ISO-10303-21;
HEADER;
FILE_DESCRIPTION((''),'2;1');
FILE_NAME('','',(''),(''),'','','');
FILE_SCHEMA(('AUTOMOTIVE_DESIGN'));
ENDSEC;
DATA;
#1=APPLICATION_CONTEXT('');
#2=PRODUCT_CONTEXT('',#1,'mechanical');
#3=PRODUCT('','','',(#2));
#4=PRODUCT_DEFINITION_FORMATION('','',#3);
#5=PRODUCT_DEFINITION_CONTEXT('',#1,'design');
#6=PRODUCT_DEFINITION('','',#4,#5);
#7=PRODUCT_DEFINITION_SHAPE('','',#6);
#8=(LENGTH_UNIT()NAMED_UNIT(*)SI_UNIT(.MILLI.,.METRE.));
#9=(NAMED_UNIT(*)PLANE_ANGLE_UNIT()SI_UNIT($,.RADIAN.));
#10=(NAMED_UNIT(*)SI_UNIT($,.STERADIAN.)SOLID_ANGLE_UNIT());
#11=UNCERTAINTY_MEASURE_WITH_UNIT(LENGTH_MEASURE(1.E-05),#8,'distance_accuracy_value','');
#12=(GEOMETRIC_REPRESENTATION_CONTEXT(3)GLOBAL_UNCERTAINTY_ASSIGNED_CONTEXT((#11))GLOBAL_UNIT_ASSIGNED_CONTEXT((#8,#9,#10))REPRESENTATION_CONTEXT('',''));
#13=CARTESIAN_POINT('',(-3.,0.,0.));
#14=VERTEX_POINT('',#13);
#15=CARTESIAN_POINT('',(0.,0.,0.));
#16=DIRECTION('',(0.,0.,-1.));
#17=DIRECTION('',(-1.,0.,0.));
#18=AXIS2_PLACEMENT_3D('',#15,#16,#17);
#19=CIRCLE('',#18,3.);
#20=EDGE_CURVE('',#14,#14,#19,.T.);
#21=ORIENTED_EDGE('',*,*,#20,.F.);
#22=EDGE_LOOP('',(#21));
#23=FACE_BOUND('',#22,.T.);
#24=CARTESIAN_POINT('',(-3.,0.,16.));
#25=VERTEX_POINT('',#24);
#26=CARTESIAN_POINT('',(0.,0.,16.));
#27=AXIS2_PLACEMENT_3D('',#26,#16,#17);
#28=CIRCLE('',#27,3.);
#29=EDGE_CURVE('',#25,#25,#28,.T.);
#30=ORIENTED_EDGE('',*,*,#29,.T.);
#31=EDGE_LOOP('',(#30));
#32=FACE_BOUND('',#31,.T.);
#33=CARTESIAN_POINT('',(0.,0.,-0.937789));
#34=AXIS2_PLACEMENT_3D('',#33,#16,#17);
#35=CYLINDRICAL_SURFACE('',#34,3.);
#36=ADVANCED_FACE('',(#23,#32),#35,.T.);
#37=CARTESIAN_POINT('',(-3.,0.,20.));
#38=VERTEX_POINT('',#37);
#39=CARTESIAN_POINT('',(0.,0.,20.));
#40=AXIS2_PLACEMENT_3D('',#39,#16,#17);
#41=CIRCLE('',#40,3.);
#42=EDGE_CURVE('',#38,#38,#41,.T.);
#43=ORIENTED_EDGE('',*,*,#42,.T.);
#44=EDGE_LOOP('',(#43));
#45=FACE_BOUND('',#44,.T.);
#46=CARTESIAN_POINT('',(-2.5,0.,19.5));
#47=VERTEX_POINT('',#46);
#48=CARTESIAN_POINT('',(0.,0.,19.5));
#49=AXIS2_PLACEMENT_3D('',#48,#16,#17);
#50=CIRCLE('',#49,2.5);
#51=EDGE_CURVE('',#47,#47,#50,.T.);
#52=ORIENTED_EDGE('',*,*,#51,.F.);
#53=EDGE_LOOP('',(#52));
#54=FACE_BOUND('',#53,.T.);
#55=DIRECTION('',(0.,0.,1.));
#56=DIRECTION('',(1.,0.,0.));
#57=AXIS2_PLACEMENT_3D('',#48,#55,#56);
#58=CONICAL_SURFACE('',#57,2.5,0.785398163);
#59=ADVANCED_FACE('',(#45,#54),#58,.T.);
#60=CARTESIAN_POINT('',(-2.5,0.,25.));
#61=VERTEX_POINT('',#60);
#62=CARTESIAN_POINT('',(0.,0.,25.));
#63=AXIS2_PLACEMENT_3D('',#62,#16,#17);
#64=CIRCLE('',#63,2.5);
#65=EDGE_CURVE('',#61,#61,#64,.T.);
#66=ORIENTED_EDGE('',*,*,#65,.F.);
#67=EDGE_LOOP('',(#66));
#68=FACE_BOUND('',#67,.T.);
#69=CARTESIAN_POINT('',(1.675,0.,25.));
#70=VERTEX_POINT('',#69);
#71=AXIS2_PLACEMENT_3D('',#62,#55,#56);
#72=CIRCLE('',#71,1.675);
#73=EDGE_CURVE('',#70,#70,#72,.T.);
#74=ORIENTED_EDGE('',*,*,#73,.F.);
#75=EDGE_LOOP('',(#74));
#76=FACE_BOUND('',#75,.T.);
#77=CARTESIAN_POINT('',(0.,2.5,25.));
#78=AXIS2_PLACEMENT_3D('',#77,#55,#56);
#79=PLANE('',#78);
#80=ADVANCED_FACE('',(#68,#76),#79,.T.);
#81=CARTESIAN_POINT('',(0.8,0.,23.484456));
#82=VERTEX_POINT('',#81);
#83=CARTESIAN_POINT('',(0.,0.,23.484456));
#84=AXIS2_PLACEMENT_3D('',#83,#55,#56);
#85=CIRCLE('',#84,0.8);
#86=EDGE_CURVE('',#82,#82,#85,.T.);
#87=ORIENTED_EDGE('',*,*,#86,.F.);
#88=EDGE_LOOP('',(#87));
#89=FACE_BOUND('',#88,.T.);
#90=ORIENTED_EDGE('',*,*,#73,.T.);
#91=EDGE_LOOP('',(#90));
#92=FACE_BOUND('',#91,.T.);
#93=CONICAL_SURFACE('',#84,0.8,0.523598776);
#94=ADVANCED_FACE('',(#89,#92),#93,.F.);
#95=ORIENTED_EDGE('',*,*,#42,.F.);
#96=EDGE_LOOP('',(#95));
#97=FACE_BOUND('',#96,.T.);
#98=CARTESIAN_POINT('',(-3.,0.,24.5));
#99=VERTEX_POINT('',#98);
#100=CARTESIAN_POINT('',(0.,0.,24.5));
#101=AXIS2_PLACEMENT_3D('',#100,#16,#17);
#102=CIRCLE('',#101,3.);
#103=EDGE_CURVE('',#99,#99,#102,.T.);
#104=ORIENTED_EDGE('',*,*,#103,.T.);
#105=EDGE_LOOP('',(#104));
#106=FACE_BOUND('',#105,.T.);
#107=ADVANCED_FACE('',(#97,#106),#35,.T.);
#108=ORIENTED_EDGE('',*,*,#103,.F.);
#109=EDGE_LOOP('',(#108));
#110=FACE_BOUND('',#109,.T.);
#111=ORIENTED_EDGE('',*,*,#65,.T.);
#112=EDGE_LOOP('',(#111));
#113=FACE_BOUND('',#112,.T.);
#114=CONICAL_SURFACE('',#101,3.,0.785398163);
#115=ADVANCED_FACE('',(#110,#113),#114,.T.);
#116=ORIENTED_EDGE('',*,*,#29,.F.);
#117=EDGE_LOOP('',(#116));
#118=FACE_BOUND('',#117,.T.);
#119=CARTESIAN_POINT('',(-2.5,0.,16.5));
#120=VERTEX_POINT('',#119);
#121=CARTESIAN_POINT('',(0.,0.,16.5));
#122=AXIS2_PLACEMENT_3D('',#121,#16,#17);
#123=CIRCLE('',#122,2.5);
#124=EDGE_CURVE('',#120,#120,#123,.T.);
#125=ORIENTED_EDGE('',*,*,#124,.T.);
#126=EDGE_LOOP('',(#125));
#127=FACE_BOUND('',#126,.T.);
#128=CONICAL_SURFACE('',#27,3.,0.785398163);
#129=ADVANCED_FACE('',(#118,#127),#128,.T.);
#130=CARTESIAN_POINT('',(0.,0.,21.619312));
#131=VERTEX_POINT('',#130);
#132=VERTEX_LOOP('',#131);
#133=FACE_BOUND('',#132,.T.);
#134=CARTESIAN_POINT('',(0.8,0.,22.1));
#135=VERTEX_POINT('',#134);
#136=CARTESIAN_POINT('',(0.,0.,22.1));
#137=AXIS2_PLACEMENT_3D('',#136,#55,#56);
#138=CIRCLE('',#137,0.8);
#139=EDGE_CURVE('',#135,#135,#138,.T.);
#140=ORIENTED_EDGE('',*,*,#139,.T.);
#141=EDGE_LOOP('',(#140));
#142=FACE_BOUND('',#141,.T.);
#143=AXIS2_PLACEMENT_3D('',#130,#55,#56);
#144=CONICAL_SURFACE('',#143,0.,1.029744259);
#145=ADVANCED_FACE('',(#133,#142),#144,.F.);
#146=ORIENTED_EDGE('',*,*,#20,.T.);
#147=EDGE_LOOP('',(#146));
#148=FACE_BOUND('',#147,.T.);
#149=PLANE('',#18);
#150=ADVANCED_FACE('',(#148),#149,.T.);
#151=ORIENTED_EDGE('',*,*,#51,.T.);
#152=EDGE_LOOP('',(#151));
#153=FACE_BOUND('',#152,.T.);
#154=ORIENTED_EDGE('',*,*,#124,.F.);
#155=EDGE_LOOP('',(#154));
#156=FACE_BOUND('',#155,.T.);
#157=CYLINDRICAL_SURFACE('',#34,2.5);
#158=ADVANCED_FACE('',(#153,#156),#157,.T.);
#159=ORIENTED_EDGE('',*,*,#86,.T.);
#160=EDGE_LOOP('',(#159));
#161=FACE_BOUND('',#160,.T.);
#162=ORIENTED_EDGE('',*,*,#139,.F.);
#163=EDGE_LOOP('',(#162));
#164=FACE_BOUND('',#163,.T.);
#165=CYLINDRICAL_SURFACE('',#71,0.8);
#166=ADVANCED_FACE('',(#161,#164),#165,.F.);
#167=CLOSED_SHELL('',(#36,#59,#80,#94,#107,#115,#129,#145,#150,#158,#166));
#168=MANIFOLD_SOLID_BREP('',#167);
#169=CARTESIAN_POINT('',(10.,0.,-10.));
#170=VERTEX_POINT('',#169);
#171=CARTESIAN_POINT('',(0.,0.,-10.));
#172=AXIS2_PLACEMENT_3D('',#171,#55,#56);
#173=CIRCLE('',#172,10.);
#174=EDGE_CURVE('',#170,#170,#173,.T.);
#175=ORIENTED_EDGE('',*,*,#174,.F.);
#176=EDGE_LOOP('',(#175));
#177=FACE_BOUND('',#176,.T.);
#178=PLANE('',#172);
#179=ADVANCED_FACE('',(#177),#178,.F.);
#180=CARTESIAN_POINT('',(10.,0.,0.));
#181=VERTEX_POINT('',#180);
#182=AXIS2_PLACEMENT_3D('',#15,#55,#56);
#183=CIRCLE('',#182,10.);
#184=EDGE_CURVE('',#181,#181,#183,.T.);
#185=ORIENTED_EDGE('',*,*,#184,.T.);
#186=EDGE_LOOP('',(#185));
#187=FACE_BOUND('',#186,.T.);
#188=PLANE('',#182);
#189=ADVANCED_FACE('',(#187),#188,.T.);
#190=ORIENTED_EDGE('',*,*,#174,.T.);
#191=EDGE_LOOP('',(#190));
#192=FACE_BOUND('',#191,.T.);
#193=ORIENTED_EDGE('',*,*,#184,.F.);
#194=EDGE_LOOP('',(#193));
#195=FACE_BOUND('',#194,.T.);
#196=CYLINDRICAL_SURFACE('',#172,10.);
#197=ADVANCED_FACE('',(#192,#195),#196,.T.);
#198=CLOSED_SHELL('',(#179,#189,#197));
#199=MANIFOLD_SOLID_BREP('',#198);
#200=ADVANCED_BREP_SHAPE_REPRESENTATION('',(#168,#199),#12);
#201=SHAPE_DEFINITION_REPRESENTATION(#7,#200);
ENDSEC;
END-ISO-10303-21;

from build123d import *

# Parameters (mm, degrees)
SKIZZE1_R                                     = 10
AUFSATZ_LINEAR_BASIS_KANN_UNTERSCHIEDLI_DEPTH = 10


with BuildPart() as part:
    # Skizze1 → Aufsatz-Linear Basis (Kann unterschiedliche Formen haben) (new body)
    with BuildSketch(Plane.XY):
        Circle(SKIZZE1_R)
    extrude(amount=-AUFSATZ_LINEAR_BASIS_KANN_UNTERSCHIEDLI_DEPTH)


with BuildPart() as body_2:
    # Skizze2 → Lehrengriffstück (revolve)
    with BuildSketch(Plane(origin=(0, 0, 0), x_dir=(0, 0, -1), z_dir=(1, 0, 0)), mode=Mode.PRIVATE) as lehrengriffst_ck_sk:
        Polygon((0, 0), (0, 3), (-16, 3), (-16.5, 2.5), (-19.5, 2.5), (-20, 3), (-24.5, 3), (-25, 2.5), (-25, 0), align=None)
    revolve(lehrengriffst_ck_sk.sketch.rotate(Axis((0, 0, -0.937789373), (0, 0, 1)), 90), axis=Axis((0, 0, -0.937789373), (0, 0, 1)))  # turned: the seam where the file's is

    # Skizze3 → Schnitt-Rotation1 (revolve, cut)
    with BuildSketch(Plane(origin=(0, 0, 25), x_dir=(1, 0, 0), z_dir=(0, -1, 0)), mode=Mode.PRIVATE) as schnitt_rotation1_sk:
        Polygon((0, -3.380688495), (0.8, -2.9), (0.8, -1.515544457), (1.675, 0), (0, 0), align=None)
    revolve(schnitt_rotation1_sk.sketch.rotate(Axis((0, 0, 25), (0, 0, -1)), 180), axis=Axis((0, 0, 25), (0, 0, -1)), mode=Mode.SUBTRACT)  # turned: the seam where the file's is


solid = Compound([part.part, body_2.part])
